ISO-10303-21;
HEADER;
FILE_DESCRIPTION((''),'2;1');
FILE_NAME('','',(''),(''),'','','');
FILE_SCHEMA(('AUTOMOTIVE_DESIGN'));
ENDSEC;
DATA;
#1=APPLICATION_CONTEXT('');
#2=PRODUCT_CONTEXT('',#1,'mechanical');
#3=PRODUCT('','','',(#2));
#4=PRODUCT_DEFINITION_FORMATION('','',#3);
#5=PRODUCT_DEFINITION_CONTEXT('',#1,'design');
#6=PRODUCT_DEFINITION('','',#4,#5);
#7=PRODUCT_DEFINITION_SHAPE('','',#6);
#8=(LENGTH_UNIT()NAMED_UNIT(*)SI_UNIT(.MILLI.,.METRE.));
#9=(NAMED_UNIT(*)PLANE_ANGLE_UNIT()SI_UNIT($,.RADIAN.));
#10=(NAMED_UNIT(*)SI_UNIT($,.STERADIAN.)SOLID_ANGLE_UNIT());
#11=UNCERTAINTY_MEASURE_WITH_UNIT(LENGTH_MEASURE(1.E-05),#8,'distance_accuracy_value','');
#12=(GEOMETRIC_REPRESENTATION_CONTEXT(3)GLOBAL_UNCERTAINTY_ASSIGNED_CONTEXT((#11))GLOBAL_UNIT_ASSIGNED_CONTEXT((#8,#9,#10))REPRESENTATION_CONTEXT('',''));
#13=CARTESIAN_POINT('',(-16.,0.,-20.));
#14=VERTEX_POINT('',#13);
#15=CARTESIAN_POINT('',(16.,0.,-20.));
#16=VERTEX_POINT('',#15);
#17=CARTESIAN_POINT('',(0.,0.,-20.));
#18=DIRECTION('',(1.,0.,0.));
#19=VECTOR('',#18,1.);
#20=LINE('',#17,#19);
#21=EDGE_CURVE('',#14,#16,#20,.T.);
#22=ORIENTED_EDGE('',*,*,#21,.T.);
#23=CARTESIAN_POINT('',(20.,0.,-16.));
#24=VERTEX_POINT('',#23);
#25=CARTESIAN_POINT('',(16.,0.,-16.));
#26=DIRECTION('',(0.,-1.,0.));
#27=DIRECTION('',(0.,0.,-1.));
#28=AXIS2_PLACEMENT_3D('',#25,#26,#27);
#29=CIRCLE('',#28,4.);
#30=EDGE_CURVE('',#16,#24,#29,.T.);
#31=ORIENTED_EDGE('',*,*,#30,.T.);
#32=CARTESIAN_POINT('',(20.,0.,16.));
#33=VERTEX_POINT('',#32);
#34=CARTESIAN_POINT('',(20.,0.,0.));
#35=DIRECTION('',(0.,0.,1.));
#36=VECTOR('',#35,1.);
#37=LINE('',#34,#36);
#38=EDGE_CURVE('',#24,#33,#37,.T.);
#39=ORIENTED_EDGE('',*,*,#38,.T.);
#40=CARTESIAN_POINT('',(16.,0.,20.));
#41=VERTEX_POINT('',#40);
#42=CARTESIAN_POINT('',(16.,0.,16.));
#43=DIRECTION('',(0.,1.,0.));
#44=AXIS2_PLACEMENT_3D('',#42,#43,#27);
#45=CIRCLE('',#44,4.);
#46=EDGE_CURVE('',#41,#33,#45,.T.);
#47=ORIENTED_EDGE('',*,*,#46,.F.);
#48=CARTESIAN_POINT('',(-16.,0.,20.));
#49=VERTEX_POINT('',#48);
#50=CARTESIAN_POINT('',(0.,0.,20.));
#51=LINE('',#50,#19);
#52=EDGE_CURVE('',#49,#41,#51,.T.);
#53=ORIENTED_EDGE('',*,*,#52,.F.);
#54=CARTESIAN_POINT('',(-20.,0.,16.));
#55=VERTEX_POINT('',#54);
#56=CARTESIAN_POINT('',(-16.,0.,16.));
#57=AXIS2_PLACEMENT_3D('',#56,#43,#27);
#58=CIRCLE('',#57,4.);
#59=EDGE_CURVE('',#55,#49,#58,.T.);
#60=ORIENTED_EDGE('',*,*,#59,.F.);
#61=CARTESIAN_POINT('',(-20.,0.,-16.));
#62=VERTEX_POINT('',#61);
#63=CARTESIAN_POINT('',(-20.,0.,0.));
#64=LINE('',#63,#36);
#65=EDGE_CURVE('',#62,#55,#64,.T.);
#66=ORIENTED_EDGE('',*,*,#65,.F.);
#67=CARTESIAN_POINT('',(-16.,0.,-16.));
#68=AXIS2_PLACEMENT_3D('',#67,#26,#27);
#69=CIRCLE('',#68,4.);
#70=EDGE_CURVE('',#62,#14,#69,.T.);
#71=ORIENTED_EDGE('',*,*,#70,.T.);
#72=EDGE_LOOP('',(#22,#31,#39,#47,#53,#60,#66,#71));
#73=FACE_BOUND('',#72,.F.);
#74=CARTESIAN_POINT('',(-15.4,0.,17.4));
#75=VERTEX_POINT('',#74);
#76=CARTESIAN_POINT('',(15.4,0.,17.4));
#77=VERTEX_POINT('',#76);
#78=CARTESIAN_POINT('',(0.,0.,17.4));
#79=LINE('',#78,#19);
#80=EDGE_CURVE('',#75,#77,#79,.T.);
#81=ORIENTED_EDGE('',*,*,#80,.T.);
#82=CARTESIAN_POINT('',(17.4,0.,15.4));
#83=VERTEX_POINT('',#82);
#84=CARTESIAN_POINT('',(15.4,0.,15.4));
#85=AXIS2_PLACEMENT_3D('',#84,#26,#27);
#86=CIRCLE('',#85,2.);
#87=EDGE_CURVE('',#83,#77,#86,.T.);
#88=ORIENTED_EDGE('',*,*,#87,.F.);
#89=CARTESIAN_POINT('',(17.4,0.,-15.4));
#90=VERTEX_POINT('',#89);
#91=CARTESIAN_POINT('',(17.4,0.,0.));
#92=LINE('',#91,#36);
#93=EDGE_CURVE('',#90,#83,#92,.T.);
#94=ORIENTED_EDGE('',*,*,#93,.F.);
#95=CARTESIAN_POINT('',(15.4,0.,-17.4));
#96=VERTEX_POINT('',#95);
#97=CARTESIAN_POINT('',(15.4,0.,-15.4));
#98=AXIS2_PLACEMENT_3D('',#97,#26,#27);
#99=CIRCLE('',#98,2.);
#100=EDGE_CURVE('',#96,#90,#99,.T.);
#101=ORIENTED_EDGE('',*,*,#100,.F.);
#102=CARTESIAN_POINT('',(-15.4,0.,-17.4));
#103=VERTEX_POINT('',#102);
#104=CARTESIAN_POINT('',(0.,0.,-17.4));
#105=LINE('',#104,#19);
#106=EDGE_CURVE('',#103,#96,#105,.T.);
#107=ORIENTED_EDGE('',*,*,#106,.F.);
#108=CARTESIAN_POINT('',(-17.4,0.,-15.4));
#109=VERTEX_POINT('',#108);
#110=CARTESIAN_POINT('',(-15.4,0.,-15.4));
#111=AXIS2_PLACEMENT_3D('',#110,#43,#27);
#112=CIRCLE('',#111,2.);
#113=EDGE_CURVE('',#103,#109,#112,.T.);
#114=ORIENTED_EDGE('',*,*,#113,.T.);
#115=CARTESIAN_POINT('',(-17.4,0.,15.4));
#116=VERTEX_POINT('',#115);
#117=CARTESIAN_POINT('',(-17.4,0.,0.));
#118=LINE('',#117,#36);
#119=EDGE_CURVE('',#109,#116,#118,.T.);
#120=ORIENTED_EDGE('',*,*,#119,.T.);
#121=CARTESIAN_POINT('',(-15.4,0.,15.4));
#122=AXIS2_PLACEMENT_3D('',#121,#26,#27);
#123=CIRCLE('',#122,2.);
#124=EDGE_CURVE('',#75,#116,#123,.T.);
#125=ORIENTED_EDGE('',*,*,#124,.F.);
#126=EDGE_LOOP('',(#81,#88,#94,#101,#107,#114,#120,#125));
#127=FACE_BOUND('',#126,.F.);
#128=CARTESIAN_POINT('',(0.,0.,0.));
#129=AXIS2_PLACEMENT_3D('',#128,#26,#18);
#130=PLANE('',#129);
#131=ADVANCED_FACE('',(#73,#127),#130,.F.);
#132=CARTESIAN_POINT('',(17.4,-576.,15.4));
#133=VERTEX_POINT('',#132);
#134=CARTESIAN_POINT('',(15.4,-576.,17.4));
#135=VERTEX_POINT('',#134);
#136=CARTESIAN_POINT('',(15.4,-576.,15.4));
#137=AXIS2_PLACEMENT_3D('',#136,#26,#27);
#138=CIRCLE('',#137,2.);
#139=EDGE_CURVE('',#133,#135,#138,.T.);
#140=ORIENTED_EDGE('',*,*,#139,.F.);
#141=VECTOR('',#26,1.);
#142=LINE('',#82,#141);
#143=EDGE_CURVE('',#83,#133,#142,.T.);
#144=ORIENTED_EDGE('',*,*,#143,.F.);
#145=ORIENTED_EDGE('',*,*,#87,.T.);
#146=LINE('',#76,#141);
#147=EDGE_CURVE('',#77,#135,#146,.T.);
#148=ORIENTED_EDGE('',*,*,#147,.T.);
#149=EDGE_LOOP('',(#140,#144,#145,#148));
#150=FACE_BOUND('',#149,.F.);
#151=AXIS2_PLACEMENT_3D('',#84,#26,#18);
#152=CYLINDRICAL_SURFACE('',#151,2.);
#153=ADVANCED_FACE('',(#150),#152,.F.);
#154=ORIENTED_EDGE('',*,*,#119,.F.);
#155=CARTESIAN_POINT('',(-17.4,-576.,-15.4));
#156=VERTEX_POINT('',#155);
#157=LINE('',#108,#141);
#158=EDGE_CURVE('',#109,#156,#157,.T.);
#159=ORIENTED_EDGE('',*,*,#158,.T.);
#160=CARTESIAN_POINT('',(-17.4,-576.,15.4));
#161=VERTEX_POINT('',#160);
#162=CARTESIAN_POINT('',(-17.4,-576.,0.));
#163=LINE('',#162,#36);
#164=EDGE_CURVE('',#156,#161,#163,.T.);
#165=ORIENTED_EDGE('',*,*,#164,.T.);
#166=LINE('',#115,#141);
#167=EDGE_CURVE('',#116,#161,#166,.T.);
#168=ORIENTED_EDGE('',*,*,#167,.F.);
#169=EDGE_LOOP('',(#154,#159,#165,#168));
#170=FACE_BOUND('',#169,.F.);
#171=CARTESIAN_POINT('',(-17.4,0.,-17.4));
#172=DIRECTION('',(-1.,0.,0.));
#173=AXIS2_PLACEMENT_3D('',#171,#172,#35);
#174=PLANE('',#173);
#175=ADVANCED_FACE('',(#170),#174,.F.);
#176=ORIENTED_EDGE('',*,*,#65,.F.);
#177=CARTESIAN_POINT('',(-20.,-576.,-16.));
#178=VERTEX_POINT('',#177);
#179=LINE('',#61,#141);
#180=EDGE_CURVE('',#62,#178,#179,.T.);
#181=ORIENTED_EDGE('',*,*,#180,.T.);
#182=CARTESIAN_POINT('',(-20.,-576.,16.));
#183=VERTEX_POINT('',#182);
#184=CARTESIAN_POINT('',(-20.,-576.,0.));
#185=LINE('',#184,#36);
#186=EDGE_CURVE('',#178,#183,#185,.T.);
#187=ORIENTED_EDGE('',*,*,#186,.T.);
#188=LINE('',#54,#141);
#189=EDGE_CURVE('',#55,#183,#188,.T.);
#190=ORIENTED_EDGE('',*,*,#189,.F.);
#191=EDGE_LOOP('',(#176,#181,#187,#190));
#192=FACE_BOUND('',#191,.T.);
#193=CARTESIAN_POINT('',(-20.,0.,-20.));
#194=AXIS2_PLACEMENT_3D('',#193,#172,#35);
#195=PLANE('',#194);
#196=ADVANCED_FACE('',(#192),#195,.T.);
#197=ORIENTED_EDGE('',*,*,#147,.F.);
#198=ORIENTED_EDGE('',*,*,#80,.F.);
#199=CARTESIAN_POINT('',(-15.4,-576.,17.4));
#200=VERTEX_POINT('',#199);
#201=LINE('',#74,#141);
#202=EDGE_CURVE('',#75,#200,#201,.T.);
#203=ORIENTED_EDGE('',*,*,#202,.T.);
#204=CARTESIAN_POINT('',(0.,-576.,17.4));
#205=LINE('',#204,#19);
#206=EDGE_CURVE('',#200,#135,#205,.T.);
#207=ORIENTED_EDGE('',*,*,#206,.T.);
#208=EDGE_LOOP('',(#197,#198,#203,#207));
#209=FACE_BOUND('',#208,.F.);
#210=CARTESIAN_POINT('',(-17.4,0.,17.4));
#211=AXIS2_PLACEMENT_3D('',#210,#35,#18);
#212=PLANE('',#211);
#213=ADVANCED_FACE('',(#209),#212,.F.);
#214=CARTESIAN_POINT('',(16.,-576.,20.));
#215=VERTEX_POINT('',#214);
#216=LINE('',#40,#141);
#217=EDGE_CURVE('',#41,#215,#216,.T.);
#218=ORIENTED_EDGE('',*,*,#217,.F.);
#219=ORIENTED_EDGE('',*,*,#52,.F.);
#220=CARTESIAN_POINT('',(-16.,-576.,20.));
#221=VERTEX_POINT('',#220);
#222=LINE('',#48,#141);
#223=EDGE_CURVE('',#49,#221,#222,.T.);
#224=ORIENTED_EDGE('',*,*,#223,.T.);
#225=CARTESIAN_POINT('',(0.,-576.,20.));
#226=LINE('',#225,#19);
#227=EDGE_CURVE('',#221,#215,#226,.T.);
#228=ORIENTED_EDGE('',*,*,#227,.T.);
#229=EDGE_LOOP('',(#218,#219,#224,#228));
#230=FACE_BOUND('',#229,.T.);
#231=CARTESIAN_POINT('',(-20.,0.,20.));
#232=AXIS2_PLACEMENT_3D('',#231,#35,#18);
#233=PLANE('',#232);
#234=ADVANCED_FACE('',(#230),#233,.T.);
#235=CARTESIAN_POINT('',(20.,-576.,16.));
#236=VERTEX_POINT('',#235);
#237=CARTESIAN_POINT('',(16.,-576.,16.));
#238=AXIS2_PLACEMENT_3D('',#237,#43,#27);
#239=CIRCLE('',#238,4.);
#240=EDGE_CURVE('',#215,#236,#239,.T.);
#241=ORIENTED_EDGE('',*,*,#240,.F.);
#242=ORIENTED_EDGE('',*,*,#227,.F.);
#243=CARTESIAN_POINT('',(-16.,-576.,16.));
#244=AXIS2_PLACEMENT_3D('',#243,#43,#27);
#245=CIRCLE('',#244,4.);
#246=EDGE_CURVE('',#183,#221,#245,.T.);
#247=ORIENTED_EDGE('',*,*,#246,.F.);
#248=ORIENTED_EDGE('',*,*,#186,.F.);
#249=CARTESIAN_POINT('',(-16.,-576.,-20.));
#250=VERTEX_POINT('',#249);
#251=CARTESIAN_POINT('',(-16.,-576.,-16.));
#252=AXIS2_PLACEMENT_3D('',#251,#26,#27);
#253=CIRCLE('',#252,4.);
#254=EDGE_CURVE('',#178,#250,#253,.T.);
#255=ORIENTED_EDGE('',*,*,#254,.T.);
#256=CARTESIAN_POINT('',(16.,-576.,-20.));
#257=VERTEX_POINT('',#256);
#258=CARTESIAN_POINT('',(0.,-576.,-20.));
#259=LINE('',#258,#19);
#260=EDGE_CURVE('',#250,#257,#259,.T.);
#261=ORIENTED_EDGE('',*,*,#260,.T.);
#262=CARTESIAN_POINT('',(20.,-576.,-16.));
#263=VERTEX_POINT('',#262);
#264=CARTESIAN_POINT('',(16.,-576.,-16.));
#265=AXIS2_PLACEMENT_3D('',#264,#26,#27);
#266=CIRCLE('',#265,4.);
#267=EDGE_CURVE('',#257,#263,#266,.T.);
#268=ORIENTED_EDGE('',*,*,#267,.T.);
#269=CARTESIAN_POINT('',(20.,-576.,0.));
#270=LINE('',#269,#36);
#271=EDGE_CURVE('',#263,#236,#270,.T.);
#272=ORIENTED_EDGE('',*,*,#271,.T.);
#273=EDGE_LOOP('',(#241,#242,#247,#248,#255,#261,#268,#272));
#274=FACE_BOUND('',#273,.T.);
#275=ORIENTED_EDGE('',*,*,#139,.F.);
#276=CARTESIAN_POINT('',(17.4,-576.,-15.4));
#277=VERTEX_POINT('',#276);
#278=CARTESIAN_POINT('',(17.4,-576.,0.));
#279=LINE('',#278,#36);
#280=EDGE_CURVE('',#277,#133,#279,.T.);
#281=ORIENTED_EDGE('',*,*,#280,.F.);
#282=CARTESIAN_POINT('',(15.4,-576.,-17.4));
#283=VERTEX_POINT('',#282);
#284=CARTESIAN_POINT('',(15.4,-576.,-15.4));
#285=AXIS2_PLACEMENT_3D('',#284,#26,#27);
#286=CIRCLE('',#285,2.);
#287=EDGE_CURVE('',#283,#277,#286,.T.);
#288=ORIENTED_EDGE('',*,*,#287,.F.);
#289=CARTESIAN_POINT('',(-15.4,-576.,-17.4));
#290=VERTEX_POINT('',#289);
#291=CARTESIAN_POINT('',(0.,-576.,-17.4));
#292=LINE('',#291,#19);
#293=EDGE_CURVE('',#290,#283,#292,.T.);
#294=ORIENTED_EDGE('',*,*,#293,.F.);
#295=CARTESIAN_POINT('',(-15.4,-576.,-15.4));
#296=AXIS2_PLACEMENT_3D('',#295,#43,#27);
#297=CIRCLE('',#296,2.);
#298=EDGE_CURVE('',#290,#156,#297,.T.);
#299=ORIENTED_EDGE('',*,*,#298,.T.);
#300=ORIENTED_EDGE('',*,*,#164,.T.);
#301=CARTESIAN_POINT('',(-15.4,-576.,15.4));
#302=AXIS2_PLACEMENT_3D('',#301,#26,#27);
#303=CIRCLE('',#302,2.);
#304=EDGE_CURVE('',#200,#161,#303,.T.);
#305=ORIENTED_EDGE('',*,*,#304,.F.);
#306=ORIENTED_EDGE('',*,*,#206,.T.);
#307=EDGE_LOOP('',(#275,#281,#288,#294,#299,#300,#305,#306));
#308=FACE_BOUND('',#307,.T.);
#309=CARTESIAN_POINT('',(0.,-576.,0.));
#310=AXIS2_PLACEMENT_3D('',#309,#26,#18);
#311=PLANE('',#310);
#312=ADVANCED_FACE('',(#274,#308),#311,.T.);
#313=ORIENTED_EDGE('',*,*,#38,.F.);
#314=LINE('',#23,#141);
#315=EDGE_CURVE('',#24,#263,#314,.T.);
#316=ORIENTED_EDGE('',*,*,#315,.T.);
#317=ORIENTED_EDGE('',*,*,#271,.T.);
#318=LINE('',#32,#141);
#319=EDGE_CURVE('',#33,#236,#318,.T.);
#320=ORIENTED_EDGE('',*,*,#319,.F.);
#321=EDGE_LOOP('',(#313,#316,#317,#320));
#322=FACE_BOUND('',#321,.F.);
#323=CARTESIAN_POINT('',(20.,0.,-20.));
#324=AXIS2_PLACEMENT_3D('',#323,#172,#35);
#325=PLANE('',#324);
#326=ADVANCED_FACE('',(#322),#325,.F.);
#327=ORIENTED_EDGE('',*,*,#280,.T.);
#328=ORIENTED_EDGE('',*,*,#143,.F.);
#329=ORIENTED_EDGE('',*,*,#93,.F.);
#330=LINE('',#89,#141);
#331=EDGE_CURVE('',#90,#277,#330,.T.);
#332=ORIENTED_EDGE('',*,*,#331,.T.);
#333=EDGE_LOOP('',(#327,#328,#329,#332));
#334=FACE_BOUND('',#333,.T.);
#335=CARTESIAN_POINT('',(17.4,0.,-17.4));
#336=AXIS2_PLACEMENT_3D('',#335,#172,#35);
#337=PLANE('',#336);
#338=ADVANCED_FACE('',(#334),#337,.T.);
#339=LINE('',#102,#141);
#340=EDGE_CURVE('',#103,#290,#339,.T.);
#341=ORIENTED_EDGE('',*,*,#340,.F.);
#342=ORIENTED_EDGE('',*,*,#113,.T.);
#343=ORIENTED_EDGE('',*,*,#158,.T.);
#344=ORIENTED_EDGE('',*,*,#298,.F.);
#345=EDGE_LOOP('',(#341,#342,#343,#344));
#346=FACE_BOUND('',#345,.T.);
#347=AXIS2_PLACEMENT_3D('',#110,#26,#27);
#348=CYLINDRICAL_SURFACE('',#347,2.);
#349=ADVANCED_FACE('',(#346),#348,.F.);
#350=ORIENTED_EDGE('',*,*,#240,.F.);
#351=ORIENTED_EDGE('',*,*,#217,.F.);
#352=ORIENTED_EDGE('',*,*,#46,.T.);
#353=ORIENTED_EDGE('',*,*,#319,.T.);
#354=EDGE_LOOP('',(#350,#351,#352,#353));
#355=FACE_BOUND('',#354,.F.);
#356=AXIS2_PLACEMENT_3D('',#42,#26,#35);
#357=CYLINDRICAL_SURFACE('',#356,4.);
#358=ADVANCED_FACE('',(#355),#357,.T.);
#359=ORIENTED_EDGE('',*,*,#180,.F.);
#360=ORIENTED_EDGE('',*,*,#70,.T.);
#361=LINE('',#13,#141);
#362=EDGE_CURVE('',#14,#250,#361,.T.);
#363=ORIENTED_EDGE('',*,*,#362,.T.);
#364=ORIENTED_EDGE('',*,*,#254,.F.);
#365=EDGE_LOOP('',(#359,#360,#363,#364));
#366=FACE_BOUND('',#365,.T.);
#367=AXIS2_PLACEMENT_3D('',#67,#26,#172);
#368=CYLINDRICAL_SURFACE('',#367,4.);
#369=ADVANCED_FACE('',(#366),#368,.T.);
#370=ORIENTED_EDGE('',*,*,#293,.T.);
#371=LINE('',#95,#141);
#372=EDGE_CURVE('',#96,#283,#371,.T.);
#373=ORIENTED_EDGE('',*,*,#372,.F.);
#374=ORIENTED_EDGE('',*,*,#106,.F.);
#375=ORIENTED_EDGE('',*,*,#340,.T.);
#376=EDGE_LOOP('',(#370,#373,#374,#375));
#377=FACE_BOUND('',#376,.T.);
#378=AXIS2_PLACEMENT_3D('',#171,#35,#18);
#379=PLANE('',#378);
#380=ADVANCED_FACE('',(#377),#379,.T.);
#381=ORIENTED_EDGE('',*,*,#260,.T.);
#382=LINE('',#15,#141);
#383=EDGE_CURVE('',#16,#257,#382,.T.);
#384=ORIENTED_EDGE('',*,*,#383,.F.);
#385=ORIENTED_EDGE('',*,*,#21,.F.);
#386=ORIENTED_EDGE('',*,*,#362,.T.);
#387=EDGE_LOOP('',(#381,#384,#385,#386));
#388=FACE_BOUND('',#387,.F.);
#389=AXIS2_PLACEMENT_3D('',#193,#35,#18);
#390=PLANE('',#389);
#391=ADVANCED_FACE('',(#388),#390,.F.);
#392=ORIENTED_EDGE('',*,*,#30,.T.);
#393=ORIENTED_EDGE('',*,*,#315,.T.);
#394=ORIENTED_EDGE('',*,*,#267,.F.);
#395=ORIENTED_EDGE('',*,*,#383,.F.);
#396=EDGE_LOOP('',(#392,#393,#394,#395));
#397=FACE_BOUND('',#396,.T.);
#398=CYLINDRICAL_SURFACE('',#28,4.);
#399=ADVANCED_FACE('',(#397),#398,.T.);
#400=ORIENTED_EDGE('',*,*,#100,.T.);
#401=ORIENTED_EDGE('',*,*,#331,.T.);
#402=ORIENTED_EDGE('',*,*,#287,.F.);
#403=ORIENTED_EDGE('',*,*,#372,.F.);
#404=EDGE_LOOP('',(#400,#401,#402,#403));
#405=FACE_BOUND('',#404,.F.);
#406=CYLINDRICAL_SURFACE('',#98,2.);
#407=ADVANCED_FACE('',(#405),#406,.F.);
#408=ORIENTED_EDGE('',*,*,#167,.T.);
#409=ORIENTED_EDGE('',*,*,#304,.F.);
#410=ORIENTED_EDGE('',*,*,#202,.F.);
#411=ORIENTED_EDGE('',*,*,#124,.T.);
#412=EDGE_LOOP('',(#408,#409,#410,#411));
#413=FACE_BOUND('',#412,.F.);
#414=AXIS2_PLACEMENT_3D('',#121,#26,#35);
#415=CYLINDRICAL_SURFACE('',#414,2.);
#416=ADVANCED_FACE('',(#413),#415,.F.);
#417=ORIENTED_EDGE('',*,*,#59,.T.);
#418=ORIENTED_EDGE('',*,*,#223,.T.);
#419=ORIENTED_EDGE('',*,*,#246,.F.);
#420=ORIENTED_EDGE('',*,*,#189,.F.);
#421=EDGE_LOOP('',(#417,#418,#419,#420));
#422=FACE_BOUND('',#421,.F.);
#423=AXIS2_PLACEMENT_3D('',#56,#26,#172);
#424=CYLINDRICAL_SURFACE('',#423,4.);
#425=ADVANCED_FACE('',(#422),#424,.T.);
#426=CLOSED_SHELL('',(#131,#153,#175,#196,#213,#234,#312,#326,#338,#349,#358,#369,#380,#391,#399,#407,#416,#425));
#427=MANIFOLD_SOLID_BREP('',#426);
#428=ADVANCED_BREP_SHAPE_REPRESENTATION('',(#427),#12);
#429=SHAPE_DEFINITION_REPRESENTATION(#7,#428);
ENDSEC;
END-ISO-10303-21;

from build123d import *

# Parameters (mm, degrees)
F0_W     = 40
F0_H     = 40
F0_W_2   = 34.8
F0_H_2   = 34.8
F1_DEPTH = 576
F2_R     = 4
F3_R     = 2


with BuildPart() as f1:
    # F0 (on Front) → F1 (new body)
    with BuildSketch(Plane.XZ):
        Rectangle(F0_W, F0_H)
        Rectangle(F0_W_2, F0_H_2, mode=Mode.SUBTRACT)
    extrude(amount=F1_DEPTH)

    # F2
    f2_edges = [f1.edges().sort_by_distance(p)[0] for p in [
        (20, -288, 20),
        (-20, -288, 20),
        (20, -288, -20),
        (-20, -288, -20),
    ]]
    fillet(f2_edges, radius=F2_R)

    # F3
    f3_edges = [f1.edges().sort_by_distance(p)[0] for p in [
        (-17.4, -288, 17.4),
        (-17.4, -288, -17.4),
        (17.4, -288, -17.4),
        (17.4, -288, 17.4),
    ]]
    fillet(f3_edges, radius=F3_R)


solid = f1.part
